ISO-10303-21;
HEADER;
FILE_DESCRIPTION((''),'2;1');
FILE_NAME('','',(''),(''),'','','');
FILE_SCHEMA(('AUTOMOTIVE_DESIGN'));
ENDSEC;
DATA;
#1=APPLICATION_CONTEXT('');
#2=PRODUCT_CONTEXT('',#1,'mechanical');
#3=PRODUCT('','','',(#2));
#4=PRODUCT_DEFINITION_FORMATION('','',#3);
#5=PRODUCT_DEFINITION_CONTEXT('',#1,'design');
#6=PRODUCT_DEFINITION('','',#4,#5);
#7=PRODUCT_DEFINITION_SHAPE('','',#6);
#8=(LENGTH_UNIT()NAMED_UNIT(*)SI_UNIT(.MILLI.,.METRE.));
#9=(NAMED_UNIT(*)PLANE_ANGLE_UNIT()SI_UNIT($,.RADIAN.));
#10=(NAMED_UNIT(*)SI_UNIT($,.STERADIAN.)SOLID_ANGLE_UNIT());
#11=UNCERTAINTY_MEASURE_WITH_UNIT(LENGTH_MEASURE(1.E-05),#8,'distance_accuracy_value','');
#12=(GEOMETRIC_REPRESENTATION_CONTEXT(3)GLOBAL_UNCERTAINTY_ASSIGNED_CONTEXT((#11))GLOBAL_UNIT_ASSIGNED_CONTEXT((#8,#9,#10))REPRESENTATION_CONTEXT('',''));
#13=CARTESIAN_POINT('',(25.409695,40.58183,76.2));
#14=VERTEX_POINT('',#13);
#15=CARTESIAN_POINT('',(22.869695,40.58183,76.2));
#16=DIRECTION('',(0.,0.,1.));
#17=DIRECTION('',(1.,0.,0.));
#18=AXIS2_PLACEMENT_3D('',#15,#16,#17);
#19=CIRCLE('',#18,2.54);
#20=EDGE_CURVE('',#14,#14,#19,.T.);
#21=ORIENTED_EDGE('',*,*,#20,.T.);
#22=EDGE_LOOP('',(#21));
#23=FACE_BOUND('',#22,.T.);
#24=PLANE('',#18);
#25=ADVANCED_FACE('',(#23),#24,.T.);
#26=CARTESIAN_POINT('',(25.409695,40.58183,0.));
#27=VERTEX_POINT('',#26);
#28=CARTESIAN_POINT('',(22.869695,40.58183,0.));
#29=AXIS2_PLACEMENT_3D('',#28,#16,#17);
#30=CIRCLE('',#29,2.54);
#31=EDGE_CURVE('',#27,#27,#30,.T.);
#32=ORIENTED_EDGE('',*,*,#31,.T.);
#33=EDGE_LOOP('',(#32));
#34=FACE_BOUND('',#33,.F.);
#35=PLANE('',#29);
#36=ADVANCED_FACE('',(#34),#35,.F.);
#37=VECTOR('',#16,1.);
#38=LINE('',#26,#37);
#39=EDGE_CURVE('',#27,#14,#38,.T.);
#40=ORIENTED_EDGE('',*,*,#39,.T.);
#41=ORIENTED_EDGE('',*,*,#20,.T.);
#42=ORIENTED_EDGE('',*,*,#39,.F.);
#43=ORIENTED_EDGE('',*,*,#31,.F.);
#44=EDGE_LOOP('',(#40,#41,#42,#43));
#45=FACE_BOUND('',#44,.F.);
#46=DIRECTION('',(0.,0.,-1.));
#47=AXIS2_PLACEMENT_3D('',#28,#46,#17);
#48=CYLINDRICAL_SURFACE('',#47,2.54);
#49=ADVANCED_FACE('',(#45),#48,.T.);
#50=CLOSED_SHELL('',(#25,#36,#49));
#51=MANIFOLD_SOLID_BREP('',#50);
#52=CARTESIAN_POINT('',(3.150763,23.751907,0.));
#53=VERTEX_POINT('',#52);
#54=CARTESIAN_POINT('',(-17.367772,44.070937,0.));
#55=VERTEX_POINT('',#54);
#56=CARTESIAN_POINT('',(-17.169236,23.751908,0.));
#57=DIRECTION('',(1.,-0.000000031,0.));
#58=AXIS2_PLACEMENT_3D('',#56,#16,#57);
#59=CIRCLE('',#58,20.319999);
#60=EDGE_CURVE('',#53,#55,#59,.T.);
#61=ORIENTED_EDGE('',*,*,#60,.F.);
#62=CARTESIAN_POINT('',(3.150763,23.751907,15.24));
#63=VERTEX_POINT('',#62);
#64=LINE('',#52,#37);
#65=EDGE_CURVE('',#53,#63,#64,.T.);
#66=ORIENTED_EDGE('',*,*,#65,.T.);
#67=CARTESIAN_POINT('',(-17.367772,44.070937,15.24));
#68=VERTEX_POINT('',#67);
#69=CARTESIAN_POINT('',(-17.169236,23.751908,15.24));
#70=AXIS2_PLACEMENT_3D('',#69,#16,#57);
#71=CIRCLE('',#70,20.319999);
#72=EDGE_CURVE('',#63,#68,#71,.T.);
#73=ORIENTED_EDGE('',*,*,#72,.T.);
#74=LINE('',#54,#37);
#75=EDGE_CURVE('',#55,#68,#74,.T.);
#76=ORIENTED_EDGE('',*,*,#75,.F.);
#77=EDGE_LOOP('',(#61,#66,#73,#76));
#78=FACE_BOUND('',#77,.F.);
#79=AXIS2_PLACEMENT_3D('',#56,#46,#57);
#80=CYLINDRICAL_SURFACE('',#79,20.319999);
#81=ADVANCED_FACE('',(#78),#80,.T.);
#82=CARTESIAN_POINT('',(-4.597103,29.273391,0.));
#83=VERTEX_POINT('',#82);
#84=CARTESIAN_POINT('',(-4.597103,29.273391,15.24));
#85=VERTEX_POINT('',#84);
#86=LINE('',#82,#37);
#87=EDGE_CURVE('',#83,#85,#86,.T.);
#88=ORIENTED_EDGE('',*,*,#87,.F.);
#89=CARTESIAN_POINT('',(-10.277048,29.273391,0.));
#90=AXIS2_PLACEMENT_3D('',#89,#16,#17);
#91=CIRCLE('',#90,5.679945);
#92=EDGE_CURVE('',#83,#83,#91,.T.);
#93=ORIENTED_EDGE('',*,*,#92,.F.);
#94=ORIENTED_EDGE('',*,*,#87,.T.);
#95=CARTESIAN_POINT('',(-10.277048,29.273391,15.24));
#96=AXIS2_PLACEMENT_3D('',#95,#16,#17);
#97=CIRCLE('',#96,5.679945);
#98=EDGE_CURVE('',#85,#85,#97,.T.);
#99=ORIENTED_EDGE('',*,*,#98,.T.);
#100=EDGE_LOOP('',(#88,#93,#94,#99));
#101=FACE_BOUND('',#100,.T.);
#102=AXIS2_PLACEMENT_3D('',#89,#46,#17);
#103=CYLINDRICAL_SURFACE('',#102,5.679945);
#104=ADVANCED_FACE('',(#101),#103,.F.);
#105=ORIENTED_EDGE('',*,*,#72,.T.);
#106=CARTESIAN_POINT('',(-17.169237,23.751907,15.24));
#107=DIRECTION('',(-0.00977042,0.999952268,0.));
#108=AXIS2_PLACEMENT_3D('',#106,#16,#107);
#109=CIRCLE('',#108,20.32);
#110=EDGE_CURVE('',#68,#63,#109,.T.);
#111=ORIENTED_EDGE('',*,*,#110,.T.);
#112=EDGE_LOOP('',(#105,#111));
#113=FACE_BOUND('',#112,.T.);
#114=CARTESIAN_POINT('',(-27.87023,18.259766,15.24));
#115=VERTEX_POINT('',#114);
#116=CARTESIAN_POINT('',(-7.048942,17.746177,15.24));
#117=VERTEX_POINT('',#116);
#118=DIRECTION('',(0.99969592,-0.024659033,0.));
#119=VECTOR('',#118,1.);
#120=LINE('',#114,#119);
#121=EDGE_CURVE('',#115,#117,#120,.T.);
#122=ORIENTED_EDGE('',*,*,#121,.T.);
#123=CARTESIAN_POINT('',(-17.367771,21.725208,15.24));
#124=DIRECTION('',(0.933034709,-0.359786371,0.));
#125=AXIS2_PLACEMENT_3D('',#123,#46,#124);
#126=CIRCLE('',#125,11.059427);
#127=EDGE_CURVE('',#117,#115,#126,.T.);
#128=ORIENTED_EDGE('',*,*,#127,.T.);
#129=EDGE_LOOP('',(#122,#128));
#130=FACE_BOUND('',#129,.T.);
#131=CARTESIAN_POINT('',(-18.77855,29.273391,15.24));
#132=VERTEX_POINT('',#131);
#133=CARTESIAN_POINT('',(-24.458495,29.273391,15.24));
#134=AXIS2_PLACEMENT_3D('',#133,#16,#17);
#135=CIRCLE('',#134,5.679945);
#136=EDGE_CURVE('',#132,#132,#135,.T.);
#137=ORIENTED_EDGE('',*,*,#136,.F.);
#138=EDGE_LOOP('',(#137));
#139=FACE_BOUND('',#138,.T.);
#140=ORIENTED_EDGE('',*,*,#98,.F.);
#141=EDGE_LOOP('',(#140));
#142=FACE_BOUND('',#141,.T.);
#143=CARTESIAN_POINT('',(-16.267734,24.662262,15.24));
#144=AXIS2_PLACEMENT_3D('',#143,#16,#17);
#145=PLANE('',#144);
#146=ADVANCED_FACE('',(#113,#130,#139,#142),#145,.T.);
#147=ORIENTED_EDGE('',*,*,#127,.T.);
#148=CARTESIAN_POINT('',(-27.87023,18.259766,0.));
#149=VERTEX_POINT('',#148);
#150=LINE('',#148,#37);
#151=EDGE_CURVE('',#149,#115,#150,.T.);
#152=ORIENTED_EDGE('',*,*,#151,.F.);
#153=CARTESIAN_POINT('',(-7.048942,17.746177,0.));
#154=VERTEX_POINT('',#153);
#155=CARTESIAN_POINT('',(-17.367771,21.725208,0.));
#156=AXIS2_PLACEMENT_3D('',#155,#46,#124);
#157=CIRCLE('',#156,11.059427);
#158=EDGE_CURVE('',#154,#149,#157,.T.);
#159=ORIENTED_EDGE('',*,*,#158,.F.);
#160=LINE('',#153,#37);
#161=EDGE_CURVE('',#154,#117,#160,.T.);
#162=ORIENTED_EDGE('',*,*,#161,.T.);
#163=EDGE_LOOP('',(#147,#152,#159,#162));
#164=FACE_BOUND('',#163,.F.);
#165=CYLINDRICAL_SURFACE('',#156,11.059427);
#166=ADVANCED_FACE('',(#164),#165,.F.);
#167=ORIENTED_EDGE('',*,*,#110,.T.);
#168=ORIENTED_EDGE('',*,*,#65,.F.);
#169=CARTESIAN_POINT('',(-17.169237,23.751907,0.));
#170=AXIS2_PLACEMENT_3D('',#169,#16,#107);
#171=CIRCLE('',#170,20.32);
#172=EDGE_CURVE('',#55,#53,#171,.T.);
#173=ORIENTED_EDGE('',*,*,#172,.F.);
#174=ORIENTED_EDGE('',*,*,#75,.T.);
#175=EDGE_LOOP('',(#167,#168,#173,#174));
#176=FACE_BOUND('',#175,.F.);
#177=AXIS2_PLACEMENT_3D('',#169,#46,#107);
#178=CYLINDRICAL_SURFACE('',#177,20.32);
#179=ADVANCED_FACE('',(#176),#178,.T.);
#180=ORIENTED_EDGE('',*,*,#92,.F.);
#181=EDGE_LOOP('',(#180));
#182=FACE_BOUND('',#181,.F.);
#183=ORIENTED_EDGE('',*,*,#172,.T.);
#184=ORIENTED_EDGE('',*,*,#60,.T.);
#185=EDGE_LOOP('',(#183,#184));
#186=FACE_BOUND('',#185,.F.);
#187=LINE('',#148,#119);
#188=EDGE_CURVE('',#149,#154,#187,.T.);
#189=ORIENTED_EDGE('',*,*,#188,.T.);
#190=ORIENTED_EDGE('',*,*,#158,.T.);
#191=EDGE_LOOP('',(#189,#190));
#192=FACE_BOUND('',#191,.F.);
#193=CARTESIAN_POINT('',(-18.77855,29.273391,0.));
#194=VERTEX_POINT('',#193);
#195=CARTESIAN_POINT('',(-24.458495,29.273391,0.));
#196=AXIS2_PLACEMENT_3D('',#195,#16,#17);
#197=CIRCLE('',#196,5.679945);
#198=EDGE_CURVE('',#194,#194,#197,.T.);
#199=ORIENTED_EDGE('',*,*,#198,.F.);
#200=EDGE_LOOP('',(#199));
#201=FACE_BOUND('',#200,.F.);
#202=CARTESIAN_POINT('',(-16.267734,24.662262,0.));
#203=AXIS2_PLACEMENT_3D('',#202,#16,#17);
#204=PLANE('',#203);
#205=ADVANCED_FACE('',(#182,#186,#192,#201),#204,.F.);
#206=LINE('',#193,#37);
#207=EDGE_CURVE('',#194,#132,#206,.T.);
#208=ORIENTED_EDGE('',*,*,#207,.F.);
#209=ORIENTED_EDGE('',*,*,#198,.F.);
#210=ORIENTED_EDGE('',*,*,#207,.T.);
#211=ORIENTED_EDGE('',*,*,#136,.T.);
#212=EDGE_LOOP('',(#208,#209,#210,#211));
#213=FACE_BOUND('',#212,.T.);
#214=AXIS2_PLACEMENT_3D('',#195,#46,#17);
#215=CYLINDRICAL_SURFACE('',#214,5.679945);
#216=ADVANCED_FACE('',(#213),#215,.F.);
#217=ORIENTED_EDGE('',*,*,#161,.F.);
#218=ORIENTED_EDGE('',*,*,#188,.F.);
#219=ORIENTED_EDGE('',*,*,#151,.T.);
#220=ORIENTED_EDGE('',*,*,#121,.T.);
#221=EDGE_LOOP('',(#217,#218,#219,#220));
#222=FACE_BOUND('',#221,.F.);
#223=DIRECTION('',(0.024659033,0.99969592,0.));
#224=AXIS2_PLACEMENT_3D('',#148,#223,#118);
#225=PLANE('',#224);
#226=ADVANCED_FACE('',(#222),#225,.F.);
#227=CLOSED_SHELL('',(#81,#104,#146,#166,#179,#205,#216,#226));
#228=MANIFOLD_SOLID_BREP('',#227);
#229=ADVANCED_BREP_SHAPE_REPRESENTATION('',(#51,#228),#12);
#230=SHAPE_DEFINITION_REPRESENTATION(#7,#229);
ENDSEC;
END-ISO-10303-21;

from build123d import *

# Parameters (mm, degrees)
F0_R     = 5.679945
F1_DEPTH = 15.24
F2_R     = 2.54
F3_DEPTH = 76.2


with BuildPart() as f1:
    # F0 (on Top) → F1 (new body)
    with BuildSketch(Plane.XY):
        with BuildLine():
            ThreePointArc((-17.367772, 44.070937), (-31.467282, 9.313475), (3.150763, 23.751907))
            ThreePointArc((3.150763, 23.751907), (-2.871192, 38.190339), (-17.367772, 44.070937))
        make_face()
        with BuildLine():
            ThreePointArc((-7.048942, 17.746177), (-17.640486, 10.669144), (-27.87023, 18.259766))
            Line((-27.87023, 18.259766), (-7.048942, 17.746177))
        make_face(mode=Mode.SUBTRACT)
        with Locations((-24.458495, 29.273391)):
            Circle(F0_R, mode=Mode.SUBTRACT)
        with Locations((-10.277048, 29.273391)):
            Circle(F0_R, mode=Mode.SUBTRACT)
    extrude(amount=F1_DEPTH)


with BuildPart() as f3:
    # F2 (on Top) → F3 (new body)
    with BuildSketch(Plane.XY):
        with Locations((22.869695, 40.58183)):
            Circle(F2_R)
    extrude(amount=F3_DEPTH)


solid = Compound([f1.part, f3.part])
